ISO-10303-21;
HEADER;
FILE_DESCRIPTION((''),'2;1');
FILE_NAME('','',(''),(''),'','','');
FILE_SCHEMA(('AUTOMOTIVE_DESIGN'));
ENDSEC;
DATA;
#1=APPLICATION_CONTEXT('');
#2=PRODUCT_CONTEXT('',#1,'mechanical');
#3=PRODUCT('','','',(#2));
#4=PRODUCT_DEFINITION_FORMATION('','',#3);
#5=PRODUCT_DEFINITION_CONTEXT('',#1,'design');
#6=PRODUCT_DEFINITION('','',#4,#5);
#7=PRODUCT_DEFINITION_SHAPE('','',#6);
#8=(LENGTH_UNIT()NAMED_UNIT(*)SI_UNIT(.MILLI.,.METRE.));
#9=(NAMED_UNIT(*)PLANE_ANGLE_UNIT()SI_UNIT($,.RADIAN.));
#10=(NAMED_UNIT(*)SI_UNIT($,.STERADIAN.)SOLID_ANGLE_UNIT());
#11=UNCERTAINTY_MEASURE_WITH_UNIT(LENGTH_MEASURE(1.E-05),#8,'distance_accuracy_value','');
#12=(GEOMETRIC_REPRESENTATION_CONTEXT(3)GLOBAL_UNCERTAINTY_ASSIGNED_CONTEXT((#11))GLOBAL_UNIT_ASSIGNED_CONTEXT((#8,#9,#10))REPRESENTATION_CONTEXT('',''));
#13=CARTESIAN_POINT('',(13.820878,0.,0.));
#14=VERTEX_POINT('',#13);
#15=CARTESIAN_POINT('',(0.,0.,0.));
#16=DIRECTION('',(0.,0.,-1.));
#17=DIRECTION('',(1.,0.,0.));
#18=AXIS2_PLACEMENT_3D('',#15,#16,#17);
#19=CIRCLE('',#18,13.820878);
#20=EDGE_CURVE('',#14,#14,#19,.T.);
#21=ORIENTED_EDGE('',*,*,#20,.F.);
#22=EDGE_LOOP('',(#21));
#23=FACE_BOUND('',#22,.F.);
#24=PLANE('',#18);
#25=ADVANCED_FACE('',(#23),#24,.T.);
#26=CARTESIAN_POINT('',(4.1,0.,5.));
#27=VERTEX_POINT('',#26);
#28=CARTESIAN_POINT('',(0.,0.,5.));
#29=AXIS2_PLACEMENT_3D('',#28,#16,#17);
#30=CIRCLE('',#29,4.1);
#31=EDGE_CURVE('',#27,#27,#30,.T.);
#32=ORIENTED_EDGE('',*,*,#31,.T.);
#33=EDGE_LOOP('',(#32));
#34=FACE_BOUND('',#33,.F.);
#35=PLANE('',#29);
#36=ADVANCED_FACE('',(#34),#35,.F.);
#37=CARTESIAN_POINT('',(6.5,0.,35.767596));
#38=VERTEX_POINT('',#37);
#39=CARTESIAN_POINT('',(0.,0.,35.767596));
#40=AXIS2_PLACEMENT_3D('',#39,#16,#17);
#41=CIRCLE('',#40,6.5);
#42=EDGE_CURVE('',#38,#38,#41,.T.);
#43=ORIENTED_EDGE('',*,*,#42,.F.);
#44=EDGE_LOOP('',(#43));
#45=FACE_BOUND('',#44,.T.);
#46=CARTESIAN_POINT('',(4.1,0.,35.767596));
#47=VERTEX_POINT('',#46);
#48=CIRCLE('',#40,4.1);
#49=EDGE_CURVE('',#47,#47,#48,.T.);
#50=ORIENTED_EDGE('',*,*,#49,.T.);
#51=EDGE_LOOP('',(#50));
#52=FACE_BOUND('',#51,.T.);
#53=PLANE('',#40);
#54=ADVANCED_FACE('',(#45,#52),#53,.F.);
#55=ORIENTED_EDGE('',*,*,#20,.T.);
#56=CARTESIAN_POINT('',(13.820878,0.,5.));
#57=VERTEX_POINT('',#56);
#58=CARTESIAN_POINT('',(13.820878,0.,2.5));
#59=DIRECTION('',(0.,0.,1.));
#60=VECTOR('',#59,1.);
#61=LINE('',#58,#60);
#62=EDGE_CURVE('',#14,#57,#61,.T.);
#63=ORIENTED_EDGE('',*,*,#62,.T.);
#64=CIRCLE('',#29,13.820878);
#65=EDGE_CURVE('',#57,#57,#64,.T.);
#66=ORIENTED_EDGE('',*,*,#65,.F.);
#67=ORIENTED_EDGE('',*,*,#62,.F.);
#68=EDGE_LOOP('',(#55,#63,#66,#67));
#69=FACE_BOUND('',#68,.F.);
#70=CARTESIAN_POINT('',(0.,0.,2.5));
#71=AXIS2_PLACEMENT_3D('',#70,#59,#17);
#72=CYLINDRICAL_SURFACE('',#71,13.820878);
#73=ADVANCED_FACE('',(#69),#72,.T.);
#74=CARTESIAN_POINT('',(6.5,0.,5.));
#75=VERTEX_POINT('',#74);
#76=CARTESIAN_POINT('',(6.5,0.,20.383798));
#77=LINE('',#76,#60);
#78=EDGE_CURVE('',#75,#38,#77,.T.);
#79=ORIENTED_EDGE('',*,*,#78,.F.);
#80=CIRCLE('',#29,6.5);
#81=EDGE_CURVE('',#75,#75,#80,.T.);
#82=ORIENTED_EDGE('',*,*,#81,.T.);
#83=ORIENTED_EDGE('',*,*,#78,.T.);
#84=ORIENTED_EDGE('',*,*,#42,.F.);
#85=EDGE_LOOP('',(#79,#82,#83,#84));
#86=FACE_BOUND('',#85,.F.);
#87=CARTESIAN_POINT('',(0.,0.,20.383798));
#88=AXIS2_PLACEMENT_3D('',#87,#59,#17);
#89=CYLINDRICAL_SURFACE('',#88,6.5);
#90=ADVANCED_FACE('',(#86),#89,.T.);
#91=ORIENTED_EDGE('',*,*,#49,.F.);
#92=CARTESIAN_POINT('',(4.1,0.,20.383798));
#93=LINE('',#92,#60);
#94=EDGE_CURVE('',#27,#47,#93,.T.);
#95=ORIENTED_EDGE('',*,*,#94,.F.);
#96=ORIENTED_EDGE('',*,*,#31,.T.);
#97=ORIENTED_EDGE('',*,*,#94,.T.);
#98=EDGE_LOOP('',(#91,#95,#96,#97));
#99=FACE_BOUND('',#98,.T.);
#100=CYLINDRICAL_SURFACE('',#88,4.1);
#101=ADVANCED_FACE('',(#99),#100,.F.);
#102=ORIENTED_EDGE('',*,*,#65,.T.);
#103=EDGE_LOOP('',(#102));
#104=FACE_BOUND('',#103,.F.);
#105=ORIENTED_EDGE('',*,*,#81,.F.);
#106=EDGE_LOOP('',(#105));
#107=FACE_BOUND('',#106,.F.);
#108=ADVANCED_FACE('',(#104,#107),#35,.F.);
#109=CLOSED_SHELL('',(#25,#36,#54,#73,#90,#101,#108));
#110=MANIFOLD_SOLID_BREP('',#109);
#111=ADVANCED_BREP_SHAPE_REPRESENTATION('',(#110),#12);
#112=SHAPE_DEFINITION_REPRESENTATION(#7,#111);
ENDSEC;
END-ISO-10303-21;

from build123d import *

# Parameters (mm, degrees)
F0_W   = 2.4
F0_H   = 30.767596
F0_W_2 = 4.1
F0_H_2 = 5
F0_W_3 = 7.320878


with BuildPart() as f1:
    # F0 (on Front) → F1 (revolve)
    with BuildSketch(Plane.XZ):
        with Locations((5.3, 20.383798)):
            Rectangle(F0_W, F0_H)
    revolve(axis=Axis((0, 0, 17.953249), (0, 0, -1)))

    # F0 (on Front) → F2 (revolve)
    with BuildSketch(Plane.XZ):
        with Locations((2.05, 2.5)):
            Rectangle(F0_W_2, F0_H_2)
        with Locations((5.3, 2.5)):
            Rectangle(F0_W, F0_H_2)
        with Locations((10.160439, 2.5)):
            Rectangle(F0_W_3, F0_H_2)
    revolve(axis=Axis((0, 0, 2.5), (0, 0, -1)))


solid = f1.part
